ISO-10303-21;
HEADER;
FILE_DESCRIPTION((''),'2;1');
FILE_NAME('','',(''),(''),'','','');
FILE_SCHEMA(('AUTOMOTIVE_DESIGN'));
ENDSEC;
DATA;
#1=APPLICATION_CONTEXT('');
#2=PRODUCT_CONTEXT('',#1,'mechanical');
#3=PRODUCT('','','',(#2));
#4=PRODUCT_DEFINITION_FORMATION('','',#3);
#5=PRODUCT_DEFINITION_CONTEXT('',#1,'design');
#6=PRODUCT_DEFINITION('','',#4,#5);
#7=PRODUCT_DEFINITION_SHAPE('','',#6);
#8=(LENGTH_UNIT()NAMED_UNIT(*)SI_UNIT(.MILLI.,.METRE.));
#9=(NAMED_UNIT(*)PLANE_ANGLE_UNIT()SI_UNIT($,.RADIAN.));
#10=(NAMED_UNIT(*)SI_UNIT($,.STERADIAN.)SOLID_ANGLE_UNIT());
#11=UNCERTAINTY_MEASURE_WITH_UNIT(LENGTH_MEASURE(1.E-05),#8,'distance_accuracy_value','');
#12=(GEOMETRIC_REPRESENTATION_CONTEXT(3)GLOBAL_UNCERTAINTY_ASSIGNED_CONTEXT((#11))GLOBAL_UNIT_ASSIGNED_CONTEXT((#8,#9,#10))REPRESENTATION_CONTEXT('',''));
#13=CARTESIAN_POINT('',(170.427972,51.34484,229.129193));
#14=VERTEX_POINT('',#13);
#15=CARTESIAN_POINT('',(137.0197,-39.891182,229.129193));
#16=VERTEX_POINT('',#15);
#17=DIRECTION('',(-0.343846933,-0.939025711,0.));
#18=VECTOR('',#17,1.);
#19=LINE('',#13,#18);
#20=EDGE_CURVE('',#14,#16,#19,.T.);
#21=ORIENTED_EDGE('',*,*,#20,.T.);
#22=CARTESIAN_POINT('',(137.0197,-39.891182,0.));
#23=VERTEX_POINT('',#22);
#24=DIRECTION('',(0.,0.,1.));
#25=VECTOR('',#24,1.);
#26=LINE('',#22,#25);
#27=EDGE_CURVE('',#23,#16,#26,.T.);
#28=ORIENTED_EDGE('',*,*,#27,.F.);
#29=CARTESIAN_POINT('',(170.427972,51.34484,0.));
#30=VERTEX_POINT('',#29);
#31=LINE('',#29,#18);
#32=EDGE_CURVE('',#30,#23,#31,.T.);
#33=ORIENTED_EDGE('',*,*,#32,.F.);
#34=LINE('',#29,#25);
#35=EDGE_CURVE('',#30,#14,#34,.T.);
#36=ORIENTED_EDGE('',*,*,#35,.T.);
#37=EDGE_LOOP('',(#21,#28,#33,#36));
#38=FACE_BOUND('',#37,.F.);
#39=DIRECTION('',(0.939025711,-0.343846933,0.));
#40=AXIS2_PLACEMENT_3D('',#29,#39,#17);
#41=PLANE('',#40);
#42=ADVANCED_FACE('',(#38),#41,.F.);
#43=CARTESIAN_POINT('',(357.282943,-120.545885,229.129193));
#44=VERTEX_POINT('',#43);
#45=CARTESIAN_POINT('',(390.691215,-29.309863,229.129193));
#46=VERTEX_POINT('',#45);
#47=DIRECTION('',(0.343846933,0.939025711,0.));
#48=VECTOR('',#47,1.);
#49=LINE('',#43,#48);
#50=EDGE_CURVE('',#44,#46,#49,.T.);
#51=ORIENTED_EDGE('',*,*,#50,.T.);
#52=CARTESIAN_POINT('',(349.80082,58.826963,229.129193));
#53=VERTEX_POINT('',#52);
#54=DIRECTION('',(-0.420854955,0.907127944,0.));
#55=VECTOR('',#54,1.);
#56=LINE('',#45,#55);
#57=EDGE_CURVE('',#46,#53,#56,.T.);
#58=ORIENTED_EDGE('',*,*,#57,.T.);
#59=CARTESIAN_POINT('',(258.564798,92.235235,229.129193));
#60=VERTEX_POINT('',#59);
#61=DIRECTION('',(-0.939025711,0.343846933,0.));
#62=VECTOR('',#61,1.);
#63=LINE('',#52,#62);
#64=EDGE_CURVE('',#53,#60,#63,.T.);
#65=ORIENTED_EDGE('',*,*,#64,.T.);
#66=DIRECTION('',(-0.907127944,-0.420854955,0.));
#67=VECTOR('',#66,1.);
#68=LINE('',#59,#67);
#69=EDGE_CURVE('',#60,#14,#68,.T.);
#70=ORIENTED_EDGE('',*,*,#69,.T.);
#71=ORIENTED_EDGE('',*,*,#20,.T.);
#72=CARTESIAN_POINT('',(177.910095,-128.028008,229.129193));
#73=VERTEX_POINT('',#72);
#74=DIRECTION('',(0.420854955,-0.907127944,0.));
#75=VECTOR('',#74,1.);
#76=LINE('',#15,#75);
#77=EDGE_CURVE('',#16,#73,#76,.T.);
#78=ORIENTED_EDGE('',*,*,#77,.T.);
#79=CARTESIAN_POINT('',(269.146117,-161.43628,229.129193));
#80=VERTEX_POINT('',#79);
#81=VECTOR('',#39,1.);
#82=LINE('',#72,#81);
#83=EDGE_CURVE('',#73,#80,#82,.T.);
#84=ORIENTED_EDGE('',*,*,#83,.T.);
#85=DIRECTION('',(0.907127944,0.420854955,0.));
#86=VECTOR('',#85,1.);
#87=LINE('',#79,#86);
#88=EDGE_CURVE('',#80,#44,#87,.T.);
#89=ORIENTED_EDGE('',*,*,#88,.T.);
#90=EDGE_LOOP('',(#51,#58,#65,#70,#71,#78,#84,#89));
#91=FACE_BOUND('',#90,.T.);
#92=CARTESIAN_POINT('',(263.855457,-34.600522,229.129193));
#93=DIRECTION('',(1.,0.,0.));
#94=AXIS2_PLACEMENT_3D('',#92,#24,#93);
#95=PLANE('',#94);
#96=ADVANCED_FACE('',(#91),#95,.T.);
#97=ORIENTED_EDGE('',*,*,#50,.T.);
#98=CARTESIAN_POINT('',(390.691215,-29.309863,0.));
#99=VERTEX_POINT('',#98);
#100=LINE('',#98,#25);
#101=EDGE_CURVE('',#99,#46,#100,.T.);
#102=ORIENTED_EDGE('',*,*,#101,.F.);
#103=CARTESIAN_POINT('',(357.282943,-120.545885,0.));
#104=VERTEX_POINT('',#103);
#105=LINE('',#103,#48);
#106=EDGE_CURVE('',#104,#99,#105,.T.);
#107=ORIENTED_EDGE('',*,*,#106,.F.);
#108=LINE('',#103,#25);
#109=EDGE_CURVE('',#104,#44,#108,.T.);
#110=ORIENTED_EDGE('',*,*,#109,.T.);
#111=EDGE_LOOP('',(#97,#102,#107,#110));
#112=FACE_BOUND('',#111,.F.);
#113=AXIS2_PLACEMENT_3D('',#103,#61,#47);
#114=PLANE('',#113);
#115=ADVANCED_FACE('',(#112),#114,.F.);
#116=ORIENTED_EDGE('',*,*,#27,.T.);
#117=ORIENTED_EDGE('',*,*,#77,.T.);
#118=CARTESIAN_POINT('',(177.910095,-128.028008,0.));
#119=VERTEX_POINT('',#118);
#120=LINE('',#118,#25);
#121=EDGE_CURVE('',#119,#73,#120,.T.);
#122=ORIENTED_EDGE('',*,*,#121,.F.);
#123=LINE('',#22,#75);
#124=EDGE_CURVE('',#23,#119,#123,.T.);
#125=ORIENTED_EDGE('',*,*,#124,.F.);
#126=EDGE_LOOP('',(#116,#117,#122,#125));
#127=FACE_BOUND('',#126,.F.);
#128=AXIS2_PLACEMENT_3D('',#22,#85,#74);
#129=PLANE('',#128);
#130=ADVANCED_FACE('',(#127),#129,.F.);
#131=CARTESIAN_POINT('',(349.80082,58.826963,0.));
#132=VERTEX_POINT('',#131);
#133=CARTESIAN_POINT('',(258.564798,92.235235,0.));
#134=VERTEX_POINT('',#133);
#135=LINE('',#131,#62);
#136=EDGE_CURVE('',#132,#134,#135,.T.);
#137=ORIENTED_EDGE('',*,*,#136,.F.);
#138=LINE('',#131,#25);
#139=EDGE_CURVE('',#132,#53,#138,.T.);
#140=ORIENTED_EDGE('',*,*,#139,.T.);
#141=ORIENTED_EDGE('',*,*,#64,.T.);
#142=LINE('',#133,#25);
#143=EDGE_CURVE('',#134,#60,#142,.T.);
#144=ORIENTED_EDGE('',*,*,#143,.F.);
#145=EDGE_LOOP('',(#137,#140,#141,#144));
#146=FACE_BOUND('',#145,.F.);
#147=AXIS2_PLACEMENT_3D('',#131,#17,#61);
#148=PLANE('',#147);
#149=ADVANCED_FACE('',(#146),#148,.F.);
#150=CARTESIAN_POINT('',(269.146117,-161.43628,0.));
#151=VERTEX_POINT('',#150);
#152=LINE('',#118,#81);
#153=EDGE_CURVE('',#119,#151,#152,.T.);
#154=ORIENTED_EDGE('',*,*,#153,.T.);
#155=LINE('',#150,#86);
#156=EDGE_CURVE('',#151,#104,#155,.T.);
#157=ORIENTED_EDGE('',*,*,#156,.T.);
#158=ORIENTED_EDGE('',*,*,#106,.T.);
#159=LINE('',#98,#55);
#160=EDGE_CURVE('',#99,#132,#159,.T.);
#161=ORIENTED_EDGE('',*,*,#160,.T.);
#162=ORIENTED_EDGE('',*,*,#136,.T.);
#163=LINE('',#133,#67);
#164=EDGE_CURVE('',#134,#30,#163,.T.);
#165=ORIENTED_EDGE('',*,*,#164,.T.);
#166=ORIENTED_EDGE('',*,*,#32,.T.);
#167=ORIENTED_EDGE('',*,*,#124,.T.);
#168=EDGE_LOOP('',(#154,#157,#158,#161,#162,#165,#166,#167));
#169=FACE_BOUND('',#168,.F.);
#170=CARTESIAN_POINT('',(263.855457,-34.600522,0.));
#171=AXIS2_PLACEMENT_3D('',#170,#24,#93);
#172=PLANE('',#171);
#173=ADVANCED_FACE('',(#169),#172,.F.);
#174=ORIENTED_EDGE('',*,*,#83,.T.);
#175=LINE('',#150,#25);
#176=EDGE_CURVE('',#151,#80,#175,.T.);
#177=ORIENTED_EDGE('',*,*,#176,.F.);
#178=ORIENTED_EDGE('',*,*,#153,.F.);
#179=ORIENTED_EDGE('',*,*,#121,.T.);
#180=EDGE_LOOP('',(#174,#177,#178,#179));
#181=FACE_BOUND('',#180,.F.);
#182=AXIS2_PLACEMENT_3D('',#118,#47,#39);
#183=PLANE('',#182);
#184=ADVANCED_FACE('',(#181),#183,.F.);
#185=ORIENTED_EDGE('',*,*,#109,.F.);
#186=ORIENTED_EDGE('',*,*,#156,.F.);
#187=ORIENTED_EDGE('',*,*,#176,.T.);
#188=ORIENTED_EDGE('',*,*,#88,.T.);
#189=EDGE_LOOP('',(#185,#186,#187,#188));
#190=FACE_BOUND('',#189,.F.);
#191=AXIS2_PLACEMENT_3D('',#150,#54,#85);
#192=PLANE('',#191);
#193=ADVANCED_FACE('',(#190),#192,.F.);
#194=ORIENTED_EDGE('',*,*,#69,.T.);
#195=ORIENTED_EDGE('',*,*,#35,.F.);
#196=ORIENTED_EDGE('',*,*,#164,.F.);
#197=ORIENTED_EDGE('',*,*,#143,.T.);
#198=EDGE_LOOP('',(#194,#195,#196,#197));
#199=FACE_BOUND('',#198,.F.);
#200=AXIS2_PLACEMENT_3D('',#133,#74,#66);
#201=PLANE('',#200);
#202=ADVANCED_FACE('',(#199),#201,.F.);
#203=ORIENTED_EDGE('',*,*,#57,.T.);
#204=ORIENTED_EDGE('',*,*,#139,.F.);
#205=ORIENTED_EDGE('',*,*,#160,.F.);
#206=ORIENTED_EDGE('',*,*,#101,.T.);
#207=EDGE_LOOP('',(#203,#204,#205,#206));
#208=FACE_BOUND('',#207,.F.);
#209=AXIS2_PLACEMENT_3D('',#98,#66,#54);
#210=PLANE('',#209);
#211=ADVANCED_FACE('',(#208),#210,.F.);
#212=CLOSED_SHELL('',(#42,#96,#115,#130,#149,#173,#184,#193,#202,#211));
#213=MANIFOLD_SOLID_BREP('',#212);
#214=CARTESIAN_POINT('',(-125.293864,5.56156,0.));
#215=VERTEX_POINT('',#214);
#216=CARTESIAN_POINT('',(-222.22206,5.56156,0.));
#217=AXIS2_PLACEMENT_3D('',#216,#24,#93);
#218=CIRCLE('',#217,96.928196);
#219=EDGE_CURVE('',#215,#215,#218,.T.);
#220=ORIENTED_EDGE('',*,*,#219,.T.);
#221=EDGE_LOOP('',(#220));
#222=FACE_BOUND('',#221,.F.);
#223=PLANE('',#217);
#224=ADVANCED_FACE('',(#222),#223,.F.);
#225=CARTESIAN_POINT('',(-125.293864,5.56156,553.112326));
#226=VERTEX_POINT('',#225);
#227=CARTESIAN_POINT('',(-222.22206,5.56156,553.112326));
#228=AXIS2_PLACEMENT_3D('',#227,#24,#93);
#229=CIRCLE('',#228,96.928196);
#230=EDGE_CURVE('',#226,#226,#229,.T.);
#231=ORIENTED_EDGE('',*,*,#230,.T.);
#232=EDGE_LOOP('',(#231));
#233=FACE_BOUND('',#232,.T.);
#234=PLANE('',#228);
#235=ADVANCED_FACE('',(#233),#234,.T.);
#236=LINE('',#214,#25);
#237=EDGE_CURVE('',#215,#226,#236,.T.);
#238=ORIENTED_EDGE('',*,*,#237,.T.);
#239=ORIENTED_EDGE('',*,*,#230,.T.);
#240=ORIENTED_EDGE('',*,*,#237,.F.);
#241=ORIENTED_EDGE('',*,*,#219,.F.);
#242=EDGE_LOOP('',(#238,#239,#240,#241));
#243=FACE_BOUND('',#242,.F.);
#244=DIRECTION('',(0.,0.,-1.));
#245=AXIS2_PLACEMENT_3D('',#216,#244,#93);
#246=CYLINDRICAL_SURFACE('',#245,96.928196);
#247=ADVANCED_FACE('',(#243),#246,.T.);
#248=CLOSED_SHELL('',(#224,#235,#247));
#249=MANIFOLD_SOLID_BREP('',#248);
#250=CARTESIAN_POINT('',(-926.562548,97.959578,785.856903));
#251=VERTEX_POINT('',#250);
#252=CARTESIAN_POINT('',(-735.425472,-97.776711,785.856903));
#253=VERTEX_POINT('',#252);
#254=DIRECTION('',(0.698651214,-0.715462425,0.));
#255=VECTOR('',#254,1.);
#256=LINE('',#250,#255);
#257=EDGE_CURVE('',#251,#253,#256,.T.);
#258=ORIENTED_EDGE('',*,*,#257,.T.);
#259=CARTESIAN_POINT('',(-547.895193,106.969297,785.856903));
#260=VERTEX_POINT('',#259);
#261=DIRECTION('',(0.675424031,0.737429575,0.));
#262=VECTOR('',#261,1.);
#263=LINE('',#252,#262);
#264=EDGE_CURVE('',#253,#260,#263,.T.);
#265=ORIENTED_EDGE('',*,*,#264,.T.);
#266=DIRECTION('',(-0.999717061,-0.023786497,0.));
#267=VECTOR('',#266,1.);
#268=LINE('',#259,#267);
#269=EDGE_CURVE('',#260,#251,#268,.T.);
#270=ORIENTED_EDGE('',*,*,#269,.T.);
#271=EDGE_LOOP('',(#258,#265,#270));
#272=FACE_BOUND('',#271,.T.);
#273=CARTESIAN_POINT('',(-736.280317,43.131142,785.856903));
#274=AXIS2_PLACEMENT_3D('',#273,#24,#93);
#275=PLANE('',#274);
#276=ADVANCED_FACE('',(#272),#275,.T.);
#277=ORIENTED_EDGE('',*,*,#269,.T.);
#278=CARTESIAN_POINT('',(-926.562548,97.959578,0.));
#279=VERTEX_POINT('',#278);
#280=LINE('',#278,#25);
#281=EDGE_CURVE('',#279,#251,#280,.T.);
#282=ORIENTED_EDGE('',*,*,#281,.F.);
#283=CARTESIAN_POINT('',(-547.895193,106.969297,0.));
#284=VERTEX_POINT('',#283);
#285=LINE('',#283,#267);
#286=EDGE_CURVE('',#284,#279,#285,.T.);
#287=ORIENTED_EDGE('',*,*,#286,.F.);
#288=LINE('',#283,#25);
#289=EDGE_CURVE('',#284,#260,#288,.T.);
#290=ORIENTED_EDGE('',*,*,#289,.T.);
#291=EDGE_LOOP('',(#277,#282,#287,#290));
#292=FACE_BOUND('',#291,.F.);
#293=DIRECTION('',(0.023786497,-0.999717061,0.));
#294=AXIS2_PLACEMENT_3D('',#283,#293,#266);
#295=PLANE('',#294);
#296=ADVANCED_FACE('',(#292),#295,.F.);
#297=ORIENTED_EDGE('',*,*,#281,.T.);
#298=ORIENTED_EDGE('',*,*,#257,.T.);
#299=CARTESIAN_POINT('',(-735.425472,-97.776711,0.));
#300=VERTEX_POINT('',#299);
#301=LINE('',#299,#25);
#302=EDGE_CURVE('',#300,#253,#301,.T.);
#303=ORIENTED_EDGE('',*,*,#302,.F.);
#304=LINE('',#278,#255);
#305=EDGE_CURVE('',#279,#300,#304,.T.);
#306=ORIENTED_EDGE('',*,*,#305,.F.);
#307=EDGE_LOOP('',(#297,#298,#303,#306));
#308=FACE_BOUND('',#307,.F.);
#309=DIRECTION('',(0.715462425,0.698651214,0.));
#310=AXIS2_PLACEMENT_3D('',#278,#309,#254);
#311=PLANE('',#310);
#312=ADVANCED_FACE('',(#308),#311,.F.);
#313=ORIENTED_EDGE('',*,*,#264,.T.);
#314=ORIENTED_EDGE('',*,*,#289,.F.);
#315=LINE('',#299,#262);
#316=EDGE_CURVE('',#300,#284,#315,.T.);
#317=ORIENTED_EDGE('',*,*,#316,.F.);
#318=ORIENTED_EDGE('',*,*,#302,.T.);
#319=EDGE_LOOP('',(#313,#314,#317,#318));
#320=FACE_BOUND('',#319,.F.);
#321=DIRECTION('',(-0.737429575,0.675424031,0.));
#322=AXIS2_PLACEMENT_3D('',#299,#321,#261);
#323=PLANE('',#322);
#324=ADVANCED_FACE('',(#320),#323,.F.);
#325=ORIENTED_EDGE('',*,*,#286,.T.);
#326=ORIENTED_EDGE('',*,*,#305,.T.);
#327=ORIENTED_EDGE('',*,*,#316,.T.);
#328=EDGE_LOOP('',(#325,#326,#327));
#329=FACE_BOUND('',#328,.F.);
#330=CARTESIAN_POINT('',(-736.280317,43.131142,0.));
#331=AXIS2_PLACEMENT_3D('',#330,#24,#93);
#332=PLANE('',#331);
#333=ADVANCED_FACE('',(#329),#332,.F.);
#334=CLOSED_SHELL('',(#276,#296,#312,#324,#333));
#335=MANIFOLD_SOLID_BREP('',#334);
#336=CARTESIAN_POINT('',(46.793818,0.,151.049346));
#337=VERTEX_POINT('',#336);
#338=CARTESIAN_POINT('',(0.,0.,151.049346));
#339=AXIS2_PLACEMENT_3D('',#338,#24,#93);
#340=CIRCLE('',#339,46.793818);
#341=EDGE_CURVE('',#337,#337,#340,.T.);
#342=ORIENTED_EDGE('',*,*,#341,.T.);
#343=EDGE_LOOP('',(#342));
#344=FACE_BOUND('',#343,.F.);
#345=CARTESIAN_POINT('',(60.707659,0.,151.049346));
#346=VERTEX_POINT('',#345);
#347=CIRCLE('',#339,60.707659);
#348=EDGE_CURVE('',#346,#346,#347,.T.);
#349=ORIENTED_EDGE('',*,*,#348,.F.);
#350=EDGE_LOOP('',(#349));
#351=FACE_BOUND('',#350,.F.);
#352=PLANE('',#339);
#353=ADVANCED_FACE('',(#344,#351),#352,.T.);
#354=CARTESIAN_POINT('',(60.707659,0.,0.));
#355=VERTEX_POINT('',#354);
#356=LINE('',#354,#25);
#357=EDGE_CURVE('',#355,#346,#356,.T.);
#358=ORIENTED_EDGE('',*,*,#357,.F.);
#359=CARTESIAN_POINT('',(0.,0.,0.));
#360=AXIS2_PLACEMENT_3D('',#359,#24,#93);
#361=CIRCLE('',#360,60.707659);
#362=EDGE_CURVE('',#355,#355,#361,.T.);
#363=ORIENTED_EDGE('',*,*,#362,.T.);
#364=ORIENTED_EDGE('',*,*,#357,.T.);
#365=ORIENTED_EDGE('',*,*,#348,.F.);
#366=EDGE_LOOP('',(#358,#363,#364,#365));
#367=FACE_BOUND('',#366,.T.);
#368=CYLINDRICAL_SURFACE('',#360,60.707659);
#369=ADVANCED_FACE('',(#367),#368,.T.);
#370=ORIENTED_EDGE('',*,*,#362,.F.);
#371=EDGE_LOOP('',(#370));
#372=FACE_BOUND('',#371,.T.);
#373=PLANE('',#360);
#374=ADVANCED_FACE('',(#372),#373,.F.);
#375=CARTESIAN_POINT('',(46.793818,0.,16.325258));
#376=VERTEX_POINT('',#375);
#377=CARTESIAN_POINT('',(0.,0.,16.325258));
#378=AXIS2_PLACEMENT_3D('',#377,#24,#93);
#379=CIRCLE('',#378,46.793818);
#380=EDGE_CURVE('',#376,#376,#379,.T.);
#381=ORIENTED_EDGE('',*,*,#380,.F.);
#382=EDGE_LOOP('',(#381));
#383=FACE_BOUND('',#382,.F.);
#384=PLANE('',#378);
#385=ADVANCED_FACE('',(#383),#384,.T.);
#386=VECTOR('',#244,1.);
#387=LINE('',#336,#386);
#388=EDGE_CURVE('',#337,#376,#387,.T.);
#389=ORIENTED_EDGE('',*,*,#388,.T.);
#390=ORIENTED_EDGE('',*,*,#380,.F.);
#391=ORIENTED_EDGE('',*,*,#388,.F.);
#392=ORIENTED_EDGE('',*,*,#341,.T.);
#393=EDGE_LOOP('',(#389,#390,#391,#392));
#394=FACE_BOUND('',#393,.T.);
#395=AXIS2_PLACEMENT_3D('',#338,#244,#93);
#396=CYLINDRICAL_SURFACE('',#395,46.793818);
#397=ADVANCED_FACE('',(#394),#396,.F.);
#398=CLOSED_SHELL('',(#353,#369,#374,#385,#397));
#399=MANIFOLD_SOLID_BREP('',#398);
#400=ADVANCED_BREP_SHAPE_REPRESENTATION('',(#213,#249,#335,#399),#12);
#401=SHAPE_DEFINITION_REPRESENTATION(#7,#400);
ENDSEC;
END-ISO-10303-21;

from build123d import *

# Parameters (mm, degrees)
F0_W     = 13.913841
F0_H     = 134.724088
F0_H_2   = 16.325258
F0_W_2   = 46.793818
F2_DEPTH = 229.129193
F3_R     = 96.928196
F4_DEPTH = 553.112326
F7_DEPTH = 785.856903


with BuildPart() as f1:
    # F0 (on Front) → F1 (revolve)
    with BuildSketch(Plane.XZ):
        with Locations((53.750738, 83.687302)):
            Rectangle(F0_W, F0_H)
        with Locations((53.750738, 8.162629)):
            Rectangle(F0_W, F0_H_2)
        with Locations((23.396909, 8.162629)):
            Rectangle(F0_W_2, F0_H_2)
    revolve(axis=Axis((0, 0, 96.930586), (0, 0, 1)))


with BuildPart() as f2:
    # F6 (on Top) → F2 (new body)
    with BuildSketch(Plane.XY):
        Polygon((357.282943, -120.545885), (390.691215, -29.309863), (349.80082, 58.826963), (258.564798, 92.235235), (170.427972, 51.34484), (137.0197, -39.891182), (177.910095, -128.028008), (269.146117, -161.43628), align=None)
    extrude(amount=F2_DEPTH)


with BuildPart() as f4:
    # F3 (on Top) → F4 (new body)
    with BuildSketch(Plane.XY):
        with Locations((-222.22206, 5.56156)):
            Circle(F3_R)
    extrude(amount=F4_DEPTH)


with BuildPart() as f7:
    # F5 (on Top) → F7 (new body)
    with BuildSketch(Plane.XY):
        Polygon((-926.562548, 97.959578), (-735.425472, -97.776711), (-547.895193, 106.969297), align=None)
    extrude(amount=F7_DEPTH)


solid = Compound([f1.part, f2.part, f4.part, f7.part])
